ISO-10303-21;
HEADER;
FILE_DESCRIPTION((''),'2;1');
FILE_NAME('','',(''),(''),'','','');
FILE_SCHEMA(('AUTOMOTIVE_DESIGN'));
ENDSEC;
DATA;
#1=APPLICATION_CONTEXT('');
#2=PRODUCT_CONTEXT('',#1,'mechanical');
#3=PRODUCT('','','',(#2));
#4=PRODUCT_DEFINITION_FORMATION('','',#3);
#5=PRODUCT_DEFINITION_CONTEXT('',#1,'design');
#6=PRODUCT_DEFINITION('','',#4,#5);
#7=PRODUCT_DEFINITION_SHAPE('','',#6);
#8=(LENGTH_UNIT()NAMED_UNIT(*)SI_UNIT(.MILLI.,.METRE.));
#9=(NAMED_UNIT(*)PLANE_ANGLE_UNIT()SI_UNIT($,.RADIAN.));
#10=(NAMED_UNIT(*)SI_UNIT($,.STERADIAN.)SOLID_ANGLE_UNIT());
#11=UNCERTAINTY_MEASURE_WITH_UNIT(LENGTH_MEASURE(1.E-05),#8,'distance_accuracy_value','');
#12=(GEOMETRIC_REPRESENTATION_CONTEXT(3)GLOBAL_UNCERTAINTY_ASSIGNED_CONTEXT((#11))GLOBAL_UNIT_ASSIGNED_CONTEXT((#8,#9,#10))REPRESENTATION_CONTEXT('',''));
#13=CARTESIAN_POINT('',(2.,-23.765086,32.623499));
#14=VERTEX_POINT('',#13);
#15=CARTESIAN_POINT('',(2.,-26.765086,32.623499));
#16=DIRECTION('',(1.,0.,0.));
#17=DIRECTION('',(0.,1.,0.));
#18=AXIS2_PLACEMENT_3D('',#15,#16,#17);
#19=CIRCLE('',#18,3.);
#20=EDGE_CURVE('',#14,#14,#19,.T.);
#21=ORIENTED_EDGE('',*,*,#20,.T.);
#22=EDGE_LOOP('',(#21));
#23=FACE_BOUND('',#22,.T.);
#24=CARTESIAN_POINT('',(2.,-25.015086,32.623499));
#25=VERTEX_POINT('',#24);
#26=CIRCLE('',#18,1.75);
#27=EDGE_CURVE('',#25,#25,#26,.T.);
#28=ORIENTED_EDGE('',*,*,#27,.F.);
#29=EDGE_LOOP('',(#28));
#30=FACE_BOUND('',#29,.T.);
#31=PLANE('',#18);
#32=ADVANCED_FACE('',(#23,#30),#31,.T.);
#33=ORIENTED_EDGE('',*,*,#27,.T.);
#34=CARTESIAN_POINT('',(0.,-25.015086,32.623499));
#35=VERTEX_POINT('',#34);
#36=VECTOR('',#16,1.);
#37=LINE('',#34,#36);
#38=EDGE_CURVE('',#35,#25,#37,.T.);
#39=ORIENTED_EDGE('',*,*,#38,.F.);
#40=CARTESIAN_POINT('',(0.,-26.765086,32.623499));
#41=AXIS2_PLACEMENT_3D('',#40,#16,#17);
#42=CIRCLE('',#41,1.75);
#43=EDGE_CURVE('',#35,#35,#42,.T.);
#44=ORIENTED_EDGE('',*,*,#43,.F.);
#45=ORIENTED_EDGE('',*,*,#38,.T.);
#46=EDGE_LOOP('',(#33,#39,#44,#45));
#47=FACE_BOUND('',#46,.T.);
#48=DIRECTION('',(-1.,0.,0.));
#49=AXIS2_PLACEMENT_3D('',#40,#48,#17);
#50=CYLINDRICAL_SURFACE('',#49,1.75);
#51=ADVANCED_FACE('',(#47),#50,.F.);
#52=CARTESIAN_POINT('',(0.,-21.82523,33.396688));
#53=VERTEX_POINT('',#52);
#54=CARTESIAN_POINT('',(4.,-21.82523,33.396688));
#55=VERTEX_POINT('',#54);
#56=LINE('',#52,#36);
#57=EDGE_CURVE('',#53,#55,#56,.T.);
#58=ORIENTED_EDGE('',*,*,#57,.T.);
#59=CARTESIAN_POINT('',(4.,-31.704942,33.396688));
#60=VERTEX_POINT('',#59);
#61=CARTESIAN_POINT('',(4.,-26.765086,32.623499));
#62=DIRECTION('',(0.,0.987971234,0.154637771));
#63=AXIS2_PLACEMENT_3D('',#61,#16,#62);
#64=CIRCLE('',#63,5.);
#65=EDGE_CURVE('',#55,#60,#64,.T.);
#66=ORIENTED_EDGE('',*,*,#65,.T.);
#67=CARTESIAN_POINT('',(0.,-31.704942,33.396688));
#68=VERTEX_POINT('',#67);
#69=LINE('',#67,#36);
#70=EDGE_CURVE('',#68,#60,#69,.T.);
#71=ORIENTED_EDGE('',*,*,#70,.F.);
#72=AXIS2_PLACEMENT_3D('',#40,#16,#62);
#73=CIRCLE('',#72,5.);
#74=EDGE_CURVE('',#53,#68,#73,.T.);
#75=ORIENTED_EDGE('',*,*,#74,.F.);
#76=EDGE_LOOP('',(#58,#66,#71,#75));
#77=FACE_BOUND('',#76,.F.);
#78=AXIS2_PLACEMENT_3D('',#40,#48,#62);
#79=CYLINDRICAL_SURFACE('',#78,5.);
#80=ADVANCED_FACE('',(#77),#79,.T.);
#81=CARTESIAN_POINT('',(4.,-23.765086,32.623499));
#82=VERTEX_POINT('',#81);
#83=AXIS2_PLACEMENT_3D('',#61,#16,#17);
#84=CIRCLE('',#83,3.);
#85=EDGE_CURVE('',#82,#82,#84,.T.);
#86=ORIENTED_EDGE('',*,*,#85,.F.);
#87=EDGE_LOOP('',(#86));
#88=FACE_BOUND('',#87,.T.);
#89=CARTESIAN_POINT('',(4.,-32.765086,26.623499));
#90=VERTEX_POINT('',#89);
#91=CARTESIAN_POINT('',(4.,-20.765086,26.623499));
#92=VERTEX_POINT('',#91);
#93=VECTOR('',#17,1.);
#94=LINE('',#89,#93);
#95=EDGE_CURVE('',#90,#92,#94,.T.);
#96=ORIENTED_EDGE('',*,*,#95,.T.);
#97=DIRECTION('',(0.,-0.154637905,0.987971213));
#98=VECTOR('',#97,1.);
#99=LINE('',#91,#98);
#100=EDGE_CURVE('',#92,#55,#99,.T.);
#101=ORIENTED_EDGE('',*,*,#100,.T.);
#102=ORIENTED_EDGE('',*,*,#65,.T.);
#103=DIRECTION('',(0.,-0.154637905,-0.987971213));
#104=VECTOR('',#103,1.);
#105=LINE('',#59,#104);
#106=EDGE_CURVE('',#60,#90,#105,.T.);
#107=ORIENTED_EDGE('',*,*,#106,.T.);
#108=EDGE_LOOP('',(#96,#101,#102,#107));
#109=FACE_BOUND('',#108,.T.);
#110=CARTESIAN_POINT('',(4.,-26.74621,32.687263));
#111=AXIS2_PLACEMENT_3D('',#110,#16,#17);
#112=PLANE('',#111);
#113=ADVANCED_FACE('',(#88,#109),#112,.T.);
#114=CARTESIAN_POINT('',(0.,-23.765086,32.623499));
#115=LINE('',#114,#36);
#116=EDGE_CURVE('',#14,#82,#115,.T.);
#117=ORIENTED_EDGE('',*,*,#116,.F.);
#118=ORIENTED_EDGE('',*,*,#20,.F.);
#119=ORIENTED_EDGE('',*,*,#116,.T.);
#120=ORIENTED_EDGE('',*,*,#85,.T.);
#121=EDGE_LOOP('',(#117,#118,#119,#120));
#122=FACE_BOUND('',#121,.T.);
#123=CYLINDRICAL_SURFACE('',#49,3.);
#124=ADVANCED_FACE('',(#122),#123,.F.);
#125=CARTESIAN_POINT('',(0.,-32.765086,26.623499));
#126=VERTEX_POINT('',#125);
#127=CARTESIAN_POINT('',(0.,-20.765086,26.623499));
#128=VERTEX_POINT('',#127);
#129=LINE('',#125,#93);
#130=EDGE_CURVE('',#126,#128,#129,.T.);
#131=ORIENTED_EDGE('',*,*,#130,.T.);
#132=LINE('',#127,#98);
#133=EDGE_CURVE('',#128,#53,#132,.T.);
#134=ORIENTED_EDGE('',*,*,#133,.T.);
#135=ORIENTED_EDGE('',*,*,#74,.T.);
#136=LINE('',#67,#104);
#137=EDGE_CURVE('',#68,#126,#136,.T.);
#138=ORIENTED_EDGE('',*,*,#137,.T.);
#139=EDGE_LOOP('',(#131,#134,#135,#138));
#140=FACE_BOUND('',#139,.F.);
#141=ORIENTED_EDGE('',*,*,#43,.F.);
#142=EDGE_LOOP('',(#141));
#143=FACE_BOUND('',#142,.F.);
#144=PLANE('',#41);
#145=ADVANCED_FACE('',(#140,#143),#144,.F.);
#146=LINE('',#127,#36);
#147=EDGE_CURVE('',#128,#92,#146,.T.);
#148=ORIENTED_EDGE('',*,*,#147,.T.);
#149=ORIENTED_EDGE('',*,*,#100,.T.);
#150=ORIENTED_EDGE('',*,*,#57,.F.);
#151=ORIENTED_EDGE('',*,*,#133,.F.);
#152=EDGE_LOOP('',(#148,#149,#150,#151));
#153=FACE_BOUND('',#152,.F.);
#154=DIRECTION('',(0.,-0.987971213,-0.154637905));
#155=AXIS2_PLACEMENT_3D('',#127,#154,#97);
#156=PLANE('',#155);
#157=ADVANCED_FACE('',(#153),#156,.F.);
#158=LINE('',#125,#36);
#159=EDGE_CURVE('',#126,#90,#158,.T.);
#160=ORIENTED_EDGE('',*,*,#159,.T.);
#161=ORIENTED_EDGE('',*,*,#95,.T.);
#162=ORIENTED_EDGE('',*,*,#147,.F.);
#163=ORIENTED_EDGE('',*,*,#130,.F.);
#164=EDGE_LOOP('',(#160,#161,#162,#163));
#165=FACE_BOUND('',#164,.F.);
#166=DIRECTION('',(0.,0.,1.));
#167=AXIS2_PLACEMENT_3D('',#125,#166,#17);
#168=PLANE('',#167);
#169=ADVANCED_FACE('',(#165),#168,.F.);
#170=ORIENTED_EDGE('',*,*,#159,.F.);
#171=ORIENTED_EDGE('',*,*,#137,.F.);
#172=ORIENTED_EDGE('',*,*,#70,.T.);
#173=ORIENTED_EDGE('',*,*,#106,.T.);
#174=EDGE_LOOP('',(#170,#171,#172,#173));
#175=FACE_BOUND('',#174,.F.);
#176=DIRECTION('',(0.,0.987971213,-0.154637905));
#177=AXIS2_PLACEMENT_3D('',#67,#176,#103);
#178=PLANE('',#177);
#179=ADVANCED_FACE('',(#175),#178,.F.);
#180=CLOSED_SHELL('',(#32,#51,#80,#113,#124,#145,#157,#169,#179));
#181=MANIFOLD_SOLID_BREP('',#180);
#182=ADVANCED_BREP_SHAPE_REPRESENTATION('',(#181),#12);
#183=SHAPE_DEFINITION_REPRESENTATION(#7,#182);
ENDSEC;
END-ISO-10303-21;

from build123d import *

# Parameters (mm, degrees)
F0_R     = 3
F1_DEPTH = 4
F0_R_2   = 1.75
F2_DEPTH = 2


with BuildPart() as f1:
    # F0 (on Right) → F1 (new body)
    with BuildSketch(Plane.YZ):
        with BuildLine():
            ThreePointArc((-31.704942, 33.396688), (-27.152848, 27.638557), (-21.765086, 32.623499))
            ThreePointArc((-21.765086, 32.623499), (-21.780144, 33.011261), (-21.82523, 33.396688))
            ThreePointArc((-21.82523, 33.396688), (-26.765086, 37.623499), (-31.704942, 33.396688))
        make_face()
        with Locations((-26.765086, 32.623499)):
            Circle(F0_R, mode=Mode.SUBTRACT)
        with BuildLine():
            ThreePointArc((-21.82523, 33.396688), (-21.780144, 33.011261), (-21.765086, 32.623499))
            ThreePointArc((-21.765086, 32.623499), (-27.152848, 27.638557), (-31.704942, 33.396688))
            Line((-31.704942, 33.396688), (-32.765086, 26.623499))
            Line((-32.765086, 26.623499), (-20.765086, 26.623499))
            Line((-20.765086, 26.623499), (-21.82523, 33.396688))
        make_face()
    extrude(amount=F1_DEPTH)

    # F0 (on Right) → F2 (join)
    with BuildSketch(Plane.YZ):
        with Locations((-26.765086, 32.623499)):
            Circle(F0_R)
        with Locations((-26.765086, 32.623499)):
            Circle(F0_R_2, mode=Mode.SUBTRACT)
    extrude(amount=F2_DEPTH)


solid = f1.part
